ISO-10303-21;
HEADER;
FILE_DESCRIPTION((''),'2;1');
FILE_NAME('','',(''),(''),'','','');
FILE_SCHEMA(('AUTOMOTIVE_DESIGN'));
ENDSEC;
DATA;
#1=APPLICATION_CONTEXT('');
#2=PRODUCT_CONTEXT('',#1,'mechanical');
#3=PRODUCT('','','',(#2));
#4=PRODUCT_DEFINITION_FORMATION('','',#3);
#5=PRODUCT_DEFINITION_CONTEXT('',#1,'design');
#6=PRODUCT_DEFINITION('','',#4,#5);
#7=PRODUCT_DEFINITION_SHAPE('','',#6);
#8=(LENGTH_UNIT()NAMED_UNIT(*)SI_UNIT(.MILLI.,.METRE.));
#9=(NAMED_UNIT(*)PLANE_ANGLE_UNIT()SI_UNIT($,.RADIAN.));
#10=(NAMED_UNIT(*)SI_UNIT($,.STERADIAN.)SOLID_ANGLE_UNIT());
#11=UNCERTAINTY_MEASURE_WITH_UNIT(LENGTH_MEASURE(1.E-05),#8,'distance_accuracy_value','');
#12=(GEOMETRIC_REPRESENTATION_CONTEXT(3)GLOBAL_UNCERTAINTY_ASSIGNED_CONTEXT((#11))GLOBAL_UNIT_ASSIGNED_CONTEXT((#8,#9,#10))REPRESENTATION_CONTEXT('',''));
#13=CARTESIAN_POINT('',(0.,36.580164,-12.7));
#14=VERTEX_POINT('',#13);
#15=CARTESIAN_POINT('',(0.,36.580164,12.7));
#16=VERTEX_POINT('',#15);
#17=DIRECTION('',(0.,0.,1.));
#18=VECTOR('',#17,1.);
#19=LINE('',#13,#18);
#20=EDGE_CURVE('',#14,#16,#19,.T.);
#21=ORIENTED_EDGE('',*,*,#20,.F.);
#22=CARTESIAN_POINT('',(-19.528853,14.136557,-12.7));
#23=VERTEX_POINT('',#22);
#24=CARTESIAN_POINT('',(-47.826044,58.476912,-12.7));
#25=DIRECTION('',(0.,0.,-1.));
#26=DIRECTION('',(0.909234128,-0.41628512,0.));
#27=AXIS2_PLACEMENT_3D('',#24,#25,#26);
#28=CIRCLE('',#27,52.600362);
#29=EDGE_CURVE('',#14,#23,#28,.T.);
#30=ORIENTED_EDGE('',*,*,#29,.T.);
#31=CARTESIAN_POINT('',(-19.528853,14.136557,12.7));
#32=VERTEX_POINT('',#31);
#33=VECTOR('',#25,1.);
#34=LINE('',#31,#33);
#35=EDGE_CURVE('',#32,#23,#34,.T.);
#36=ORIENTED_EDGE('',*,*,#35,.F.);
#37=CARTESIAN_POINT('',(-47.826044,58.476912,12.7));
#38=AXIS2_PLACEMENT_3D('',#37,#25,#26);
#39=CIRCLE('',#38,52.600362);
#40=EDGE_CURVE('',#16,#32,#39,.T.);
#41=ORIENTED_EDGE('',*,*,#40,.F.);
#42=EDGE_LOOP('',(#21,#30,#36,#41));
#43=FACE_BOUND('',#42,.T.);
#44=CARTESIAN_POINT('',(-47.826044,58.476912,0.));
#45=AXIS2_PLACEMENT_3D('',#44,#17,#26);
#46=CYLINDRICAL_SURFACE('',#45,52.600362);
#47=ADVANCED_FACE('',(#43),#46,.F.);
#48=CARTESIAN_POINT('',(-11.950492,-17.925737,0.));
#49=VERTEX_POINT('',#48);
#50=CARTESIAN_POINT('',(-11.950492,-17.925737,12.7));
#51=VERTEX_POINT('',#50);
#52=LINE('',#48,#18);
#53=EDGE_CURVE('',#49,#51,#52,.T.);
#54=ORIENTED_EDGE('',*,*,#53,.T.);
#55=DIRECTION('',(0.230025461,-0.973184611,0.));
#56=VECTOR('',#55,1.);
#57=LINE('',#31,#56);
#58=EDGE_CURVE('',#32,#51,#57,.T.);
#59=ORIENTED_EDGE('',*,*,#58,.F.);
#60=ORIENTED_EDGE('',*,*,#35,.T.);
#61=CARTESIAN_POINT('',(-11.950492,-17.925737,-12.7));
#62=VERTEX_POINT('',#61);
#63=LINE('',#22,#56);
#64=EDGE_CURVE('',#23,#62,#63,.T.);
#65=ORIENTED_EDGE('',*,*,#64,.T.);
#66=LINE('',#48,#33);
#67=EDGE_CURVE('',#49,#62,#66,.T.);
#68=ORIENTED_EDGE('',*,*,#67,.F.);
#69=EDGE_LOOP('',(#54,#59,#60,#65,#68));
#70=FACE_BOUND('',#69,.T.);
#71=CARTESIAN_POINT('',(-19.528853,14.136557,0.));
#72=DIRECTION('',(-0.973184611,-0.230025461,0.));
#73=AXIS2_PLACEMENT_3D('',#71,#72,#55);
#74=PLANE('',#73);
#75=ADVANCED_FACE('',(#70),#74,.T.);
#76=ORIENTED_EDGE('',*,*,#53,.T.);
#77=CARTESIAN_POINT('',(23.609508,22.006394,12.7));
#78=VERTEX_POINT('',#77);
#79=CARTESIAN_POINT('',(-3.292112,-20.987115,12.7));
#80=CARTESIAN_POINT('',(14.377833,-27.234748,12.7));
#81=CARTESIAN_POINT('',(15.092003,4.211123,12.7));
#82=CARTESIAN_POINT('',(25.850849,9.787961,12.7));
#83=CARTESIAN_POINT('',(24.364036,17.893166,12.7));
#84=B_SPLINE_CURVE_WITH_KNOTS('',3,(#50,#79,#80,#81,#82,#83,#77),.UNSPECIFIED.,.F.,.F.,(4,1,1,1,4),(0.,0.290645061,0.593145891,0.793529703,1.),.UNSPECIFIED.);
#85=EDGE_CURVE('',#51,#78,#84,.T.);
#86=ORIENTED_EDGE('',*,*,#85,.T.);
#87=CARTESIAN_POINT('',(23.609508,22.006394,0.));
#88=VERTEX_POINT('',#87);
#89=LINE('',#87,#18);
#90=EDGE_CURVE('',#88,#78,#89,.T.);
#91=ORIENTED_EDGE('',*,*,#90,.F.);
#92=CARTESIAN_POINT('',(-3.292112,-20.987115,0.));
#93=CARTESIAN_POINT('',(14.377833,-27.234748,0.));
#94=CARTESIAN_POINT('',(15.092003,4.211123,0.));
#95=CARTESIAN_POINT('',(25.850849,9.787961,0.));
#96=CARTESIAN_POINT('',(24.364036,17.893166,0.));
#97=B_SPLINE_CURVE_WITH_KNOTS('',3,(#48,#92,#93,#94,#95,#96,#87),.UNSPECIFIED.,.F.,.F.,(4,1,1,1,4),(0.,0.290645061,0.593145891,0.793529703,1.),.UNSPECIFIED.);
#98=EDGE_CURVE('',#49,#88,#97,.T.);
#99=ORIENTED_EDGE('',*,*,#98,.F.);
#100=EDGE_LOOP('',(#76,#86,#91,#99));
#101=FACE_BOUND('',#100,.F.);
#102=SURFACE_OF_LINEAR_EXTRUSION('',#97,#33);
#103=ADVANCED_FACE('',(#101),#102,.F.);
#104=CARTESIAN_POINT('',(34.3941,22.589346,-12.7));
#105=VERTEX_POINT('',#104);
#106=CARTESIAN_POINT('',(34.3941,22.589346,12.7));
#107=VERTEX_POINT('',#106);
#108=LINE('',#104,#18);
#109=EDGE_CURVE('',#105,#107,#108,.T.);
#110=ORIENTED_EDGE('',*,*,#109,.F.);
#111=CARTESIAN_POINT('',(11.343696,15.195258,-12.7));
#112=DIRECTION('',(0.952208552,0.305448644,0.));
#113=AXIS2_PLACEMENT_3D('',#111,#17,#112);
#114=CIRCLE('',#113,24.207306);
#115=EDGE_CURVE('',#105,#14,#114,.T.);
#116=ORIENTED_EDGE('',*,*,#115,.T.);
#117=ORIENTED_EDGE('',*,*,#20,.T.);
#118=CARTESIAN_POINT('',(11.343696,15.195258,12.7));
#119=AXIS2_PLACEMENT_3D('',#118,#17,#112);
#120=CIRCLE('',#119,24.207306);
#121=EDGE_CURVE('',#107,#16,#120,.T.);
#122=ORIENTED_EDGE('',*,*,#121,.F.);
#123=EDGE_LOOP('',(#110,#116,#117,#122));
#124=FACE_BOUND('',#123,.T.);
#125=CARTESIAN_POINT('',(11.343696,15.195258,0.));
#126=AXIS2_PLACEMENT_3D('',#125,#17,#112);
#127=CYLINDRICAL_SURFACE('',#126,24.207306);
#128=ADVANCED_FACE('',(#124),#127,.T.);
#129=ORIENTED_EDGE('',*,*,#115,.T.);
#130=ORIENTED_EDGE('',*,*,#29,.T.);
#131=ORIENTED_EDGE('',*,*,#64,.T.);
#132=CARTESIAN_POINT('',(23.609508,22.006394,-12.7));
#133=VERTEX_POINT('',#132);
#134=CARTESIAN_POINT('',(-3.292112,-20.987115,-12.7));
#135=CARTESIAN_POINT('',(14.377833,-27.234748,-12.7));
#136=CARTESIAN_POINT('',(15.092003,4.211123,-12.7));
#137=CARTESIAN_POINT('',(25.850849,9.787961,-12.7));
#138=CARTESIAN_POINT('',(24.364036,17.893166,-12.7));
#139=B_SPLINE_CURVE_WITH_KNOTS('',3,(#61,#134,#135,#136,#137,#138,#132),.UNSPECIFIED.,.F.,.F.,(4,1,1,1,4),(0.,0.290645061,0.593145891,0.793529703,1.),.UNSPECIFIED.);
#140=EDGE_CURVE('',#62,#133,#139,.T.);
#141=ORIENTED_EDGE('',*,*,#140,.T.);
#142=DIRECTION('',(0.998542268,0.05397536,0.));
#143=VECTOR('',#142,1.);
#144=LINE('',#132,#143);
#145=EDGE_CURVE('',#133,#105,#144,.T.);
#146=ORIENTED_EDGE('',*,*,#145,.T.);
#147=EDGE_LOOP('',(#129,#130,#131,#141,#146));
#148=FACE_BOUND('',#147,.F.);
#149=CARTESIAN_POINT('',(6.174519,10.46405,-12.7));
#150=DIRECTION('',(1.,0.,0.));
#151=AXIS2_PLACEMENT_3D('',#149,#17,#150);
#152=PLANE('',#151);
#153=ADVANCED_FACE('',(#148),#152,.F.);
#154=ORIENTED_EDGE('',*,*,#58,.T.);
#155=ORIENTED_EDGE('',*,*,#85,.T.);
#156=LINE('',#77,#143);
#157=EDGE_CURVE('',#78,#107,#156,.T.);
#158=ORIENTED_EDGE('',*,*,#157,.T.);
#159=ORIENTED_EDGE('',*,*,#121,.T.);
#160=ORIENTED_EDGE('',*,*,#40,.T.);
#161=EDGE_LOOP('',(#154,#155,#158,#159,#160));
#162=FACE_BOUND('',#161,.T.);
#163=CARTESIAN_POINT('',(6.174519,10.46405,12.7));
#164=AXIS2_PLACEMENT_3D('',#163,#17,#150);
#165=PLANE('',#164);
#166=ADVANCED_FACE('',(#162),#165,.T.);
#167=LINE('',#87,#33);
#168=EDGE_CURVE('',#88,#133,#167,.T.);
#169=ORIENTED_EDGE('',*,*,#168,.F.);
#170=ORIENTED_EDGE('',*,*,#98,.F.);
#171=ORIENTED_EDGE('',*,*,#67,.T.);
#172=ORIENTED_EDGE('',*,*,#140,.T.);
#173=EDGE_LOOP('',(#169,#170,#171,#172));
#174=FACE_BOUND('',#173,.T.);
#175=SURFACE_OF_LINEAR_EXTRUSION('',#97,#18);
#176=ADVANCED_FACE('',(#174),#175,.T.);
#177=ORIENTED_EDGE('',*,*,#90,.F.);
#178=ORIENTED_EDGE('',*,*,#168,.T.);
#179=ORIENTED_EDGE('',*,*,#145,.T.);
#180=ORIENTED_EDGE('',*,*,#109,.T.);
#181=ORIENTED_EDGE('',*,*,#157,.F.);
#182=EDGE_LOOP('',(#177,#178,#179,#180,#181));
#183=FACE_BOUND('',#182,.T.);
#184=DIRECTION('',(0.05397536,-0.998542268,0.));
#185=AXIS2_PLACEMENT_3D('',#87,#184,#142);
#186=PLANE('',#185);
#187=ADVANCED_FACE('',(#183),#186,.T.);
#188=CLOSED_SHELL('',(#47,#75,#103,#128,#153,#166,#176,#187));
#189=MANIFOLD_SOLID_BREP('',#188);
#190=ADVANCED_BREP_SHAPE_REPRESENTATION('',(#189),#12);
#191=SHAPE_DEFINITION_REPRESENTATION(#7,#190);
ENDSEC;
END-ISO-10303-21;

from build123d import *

# Parameters (mm, degrees)
F1_DEPTH = 12.7


with BuildPart() as f1:
    # F0 (on Top) → F1 (new body, symmetric)
    with BuildSketch(Plane.XY):
        with BuildLine():
            Line((23.609507829, 22.0063943416), (34.3941003084, 22.5893463939))
            ThreePointArc((34.3941003084, 22.5893463939), (20.4649624491, 37.6183745643), (0, 36.5801639855))
            ThreePointArc((0, 36.5801639855), (-8.1446175856, 23.9489166784), (-19.5288527757, 14.1365574673))
            Line((-19.5288527757, 14.1365574673), (-11.9504919276, -17.9257374257))
            add(Edge.make_bspline(
                [(-11.9504919276, -17.9257374257), (-3.2921123574, -20.9871153222), (14.3778327289, -27.2347484828), (15.0920027905, 4.2111228661), (25.8508491567, 9.7879606885), (24.3640357839, 17.8931655162), (23.609507829, 22.0063943416)],
                knots=[0, 0, 0, 0, 0.2906450611, 0.5931458915, 0.7935297032, 1, 1, 1, 1], degree=3))
        make_face()
    extrude(amount=F1_DEPTH, both=True)


solid = f1.part
